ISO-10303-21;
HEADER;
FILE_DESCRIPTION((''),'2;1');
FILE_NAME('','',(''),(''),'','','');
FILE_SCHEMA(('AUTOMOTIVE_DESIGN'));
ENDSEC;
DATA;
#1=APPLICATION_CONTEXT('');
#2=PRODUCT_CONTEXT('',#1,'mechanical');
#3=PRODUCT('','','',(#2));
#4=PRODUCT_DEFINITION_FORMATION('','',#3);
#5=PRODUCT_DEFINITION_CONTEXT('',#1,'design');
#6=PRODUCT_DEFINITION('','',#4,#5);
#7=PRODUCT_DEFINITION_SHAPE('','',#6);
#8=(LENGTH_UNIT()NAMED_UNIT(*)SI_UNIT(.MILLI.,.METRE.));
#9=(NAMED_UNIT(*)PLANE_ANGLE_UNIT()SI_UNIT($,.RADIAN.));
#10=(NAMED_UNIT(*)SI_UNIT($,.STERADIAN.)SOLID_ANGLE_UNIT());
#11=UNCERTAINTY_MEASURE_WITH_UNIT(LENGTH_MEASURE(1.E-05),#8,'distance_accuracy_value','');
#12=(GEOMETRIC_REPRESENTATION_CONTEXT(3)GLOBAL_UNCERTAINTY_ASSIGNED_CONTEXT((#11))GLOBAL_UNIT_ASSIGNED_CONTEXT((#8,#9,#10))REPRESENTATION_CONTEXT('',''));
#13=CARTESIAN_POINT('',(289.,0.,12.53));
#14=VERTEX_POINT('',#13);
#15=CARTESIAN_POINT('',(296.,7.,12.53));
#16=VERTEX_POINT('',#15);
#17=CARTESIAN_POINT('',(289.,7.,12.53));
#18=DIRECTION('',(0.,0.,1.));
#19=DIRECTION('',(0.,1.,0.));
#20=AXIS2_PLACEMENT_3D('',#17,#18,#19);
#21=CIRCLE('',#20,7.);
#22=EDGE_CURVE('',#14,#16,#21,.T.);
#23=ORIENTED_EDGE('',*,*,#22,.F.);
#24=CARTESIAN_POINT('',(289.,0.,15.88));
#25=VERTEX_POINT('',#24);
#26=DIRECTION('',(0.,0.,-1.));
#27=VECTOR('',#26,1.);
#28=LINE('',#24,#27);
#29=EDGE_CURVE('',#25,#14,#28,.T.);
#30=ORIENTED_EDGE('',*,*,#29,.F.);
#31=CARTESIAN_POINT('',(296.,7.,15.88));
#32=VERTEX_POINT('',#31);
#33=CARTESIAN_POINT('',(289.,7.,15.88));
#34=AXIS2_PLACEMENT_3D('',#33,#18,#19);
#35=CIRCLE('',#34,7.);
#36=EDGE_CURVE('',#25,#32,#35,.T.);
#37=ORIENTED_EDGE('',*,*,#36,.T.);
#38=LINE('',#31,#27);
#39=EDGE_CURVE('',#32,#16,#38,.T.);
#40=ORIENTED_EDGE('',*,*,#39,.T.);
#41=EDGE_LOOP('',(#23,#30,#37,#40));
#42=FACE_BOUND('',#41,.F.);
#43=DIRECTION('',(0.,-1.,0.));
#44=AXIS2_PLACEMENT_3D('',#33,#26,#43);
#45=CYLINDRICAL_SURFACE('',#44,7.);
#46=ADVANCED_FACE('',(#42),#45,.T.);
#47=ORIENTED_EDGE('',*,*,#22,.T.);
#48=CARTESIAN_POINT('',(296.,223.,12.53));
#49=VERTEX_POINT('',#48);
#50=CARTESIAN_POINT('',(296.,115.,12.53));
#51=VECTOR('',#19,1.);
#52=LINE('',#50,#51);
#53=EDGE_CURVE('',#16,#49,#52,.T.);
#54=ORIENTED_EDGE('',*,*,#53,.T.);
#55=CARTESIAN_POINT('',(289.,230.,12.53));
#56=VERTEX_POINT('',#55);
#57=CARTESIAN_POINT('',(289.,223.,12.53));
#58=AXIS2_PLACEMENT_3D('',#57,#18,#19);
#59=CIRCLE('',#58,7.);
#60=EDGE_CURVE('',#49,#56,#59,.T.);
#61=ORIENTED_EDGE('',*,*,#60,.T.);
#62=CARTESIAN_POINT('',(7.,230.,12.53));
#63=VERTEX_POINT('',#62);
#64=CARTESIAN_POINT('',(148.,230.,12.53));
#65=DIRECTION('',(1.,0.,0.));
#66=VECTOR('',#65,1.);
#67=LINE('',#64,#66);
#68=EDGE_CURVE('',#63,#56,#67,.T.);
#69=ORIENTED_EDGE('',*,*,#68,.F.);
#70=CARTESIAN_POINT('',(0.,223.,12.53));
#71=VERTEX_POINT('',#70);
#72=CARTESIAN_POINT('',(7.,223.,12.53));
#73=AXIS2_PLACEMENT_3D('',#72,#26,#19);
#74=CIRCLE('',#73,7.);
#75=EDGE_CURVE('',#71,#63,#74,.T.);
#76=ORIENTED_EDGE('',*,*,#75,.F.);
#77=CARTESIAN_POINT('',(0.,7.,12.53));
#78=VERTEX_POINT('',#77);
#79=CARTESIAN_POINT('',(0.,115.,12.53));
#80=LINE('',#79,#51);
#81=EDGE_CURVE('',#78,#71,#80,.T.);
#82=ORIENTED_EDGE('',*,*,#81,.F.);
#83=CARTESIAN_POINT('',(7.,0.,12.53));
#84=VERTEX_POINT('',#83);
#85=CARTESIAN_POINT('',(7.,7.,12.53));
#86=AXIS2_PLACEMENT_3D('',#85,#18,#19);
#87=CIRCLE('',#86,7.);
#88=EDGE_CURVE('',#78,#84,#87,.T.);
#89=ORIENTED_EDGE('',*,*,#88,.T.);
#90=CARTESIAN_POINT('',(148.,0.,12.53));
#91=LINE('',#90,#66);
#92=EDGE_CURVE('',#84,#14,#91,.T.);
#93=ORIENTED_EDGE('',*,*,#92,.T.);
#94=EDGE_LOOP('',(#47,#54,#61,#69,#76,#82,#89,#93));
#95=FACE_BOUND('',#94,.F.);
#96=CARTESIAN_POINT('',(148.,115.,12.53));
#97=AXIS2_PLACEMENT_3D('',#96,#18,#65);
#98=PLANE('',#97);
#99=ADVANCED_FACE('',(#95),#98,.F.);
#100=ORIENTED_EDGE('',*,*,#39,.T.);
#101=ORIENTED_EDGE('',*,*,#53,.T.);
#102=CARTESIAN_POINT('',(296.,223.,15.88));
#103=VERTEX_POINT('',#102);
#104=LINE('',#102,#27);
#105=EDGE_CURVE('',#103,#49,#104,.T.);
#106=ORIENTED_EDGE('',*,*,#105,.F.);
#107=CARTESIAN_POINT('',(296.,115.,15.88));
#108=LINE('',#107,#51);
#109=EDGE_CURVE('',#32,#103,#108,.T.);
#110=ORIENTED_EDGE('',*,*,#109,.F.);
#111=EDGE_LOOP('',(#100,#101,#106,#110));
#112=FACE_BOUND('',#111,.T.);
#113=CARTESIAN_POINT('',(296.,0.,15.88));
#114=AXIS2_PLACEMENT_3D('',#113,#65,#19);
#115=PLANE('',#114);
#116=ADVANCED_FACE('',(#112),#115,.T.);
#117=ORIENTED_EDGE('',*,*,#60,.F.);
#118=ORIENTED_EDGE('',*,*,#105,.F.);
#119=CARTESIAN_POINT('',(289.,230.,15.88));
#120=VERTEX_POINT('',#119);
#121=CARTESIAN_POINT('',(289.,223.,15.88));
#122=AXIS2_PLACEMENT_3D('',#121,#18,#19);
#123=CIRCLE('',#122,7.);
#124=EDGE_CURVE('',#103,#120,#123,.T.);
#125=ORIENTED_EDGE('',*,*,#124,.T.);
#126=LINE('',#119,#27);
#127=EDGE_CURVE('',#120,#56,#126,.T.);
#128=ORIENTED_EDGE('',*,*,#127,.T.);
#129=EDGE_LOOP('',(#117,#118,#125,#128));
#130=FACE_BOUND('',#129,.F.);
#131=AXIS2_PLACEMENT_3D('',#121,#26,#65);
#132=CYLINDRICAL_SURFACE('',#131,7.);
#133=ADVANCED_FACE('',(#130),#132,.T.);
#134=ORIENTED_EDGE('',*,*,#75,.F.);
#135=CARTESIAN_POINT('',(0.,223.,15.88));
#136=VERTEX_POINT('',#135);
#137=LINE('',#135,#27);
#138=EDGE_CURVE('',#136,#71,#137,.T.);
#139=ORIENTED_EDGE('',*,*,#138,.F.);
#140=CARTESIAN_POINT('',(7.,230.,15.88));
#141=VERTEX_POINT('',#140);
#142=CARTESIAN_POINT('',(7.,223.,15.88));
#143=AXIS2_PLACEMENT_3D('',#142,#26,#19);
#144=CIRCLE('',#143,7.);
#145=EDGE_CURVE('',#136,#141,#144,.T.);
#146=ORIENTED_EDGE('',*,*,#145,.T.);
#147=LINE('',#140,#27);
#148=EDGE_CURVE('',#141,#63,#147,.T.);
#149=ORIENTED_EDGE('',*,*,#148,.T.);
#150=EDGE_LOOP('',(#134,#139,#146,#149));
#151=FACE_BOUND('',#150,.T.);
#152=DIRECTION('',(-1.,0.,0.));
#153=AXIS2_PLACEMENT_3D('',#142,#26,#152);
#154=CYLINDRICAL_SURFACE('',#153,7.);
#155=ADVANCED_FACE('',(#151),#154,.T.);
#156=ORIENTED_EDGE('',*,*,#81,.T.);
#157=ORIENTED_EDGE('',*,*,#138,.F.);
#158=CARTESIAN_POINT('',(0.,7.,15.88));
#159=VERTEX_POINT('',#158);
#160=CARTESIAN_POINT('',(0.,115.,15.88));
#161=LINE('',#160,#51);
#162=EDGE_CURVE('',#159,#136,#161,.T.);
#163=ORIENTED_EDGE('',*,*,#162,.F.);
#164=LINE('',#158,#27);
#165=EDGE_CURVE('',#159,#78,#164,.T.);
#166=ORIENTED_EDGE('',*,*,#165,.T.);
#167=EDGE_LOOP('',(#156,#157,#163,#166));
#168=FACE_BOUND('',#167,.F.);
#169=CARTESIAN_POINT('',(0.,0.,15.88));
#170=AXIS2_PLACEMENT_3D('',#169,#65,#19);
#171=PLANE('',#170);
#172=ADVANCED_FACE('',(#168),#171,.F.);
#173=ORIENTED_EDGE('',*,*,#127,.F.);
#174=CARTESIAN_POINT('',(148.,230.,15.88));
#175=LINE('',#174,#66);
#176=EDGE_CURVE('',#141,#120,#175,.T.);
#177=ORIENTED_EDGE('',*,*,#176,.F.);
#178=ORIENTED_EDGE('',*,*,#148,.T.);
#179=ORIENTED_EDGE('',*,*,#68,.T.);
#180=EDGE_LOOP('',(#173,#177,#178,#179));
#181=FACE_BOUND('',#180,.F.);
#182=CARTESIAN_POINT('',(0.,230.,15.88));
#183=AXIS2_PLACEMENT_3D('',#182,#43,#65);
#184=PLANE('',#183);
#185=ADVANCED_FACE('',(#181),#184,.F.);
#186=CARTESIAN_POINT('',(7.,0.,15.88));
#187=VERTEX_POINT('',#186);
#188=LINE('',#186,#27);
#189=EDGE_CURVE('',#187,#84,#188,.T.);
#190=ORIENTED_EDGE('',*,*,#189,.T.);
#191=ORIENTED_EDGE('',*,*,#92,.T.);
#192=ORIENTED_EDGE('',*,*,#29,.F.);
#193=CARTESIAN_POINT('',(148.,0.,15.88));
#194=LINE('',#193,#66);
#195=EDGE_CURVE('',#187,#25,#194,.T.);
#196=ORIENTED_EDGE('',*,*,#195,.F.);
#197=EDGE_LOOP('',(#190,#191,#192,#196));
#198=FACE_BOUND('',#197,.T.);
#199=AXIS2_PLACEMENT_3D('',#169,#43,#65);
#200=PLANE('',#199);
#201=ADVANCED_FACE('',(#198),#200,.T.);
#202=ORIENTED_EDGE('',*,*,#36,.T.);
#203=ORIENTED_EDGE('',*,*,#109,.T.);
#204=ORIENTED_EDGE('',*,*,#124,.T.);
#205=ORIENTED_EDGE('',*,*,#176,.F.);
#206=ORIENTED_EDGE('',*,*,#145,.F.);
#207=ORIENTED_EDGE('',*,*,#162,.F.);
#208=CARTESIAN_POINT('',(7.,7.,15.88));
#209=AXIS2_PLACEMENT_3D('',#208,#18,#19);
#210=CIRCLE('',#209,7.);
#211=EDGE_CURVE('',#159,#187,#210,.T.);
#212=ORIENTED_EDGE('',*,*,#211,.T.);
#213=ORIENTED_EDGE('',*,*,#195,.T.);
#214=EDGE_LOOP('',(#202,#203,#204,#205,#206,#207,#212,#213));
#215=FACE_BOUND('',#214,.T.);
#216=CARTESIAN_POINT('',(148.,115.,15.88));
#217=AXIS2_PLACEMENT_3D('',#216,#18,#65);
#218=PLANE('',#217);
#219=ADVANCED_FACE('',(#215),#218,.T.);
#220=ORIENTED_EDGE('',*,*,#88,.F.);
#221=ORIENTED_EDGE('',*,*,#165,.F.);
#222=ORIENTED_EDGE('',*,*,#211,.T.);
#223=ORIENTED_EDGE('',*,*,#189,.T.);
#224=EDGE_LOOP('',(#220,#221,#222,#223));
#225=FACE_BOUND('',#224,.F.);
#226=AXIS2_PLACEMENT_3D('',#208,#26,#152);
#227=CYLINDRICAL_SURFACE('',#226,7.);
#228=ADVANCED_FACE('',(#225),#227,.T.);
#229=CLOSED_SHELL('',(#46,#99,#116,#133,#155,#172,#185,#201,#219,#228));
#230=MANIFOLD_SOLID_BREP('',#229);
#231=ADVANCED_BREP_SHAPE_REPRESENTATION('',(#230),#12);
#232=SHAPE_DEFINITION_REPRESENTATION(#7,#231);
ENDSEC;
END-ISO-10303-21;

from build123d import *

# Parameters (mm, degrees)
SKETCH008_W  = 296
SKETCH008_H  = 230
PAD001_DEPTH = 3.35
FILLET001_R  = 7


with BuildPart() as part:
    # Sketch008 → Pad001 (new body)
    with BuildSketch(Plane.XY.offset(15.88)):
        with Locations((148, 115)):
            Rectangle(SKETCH008_W, SKETCH008_H)
    extrude(amount=-PAD001_DEPTH)

    # Fillet001
    fillet001_edges = [part.edges().sort_by_distance(p)[0] for p in [
        (296, 230, 14.205),
        (0, 230, 14.205),
        (0, 0, 14.205),
        (296, 0, 14.205),
    ]]
    fillet(fillet001_edges, radius=FILLET001_R)


solid = part.part
